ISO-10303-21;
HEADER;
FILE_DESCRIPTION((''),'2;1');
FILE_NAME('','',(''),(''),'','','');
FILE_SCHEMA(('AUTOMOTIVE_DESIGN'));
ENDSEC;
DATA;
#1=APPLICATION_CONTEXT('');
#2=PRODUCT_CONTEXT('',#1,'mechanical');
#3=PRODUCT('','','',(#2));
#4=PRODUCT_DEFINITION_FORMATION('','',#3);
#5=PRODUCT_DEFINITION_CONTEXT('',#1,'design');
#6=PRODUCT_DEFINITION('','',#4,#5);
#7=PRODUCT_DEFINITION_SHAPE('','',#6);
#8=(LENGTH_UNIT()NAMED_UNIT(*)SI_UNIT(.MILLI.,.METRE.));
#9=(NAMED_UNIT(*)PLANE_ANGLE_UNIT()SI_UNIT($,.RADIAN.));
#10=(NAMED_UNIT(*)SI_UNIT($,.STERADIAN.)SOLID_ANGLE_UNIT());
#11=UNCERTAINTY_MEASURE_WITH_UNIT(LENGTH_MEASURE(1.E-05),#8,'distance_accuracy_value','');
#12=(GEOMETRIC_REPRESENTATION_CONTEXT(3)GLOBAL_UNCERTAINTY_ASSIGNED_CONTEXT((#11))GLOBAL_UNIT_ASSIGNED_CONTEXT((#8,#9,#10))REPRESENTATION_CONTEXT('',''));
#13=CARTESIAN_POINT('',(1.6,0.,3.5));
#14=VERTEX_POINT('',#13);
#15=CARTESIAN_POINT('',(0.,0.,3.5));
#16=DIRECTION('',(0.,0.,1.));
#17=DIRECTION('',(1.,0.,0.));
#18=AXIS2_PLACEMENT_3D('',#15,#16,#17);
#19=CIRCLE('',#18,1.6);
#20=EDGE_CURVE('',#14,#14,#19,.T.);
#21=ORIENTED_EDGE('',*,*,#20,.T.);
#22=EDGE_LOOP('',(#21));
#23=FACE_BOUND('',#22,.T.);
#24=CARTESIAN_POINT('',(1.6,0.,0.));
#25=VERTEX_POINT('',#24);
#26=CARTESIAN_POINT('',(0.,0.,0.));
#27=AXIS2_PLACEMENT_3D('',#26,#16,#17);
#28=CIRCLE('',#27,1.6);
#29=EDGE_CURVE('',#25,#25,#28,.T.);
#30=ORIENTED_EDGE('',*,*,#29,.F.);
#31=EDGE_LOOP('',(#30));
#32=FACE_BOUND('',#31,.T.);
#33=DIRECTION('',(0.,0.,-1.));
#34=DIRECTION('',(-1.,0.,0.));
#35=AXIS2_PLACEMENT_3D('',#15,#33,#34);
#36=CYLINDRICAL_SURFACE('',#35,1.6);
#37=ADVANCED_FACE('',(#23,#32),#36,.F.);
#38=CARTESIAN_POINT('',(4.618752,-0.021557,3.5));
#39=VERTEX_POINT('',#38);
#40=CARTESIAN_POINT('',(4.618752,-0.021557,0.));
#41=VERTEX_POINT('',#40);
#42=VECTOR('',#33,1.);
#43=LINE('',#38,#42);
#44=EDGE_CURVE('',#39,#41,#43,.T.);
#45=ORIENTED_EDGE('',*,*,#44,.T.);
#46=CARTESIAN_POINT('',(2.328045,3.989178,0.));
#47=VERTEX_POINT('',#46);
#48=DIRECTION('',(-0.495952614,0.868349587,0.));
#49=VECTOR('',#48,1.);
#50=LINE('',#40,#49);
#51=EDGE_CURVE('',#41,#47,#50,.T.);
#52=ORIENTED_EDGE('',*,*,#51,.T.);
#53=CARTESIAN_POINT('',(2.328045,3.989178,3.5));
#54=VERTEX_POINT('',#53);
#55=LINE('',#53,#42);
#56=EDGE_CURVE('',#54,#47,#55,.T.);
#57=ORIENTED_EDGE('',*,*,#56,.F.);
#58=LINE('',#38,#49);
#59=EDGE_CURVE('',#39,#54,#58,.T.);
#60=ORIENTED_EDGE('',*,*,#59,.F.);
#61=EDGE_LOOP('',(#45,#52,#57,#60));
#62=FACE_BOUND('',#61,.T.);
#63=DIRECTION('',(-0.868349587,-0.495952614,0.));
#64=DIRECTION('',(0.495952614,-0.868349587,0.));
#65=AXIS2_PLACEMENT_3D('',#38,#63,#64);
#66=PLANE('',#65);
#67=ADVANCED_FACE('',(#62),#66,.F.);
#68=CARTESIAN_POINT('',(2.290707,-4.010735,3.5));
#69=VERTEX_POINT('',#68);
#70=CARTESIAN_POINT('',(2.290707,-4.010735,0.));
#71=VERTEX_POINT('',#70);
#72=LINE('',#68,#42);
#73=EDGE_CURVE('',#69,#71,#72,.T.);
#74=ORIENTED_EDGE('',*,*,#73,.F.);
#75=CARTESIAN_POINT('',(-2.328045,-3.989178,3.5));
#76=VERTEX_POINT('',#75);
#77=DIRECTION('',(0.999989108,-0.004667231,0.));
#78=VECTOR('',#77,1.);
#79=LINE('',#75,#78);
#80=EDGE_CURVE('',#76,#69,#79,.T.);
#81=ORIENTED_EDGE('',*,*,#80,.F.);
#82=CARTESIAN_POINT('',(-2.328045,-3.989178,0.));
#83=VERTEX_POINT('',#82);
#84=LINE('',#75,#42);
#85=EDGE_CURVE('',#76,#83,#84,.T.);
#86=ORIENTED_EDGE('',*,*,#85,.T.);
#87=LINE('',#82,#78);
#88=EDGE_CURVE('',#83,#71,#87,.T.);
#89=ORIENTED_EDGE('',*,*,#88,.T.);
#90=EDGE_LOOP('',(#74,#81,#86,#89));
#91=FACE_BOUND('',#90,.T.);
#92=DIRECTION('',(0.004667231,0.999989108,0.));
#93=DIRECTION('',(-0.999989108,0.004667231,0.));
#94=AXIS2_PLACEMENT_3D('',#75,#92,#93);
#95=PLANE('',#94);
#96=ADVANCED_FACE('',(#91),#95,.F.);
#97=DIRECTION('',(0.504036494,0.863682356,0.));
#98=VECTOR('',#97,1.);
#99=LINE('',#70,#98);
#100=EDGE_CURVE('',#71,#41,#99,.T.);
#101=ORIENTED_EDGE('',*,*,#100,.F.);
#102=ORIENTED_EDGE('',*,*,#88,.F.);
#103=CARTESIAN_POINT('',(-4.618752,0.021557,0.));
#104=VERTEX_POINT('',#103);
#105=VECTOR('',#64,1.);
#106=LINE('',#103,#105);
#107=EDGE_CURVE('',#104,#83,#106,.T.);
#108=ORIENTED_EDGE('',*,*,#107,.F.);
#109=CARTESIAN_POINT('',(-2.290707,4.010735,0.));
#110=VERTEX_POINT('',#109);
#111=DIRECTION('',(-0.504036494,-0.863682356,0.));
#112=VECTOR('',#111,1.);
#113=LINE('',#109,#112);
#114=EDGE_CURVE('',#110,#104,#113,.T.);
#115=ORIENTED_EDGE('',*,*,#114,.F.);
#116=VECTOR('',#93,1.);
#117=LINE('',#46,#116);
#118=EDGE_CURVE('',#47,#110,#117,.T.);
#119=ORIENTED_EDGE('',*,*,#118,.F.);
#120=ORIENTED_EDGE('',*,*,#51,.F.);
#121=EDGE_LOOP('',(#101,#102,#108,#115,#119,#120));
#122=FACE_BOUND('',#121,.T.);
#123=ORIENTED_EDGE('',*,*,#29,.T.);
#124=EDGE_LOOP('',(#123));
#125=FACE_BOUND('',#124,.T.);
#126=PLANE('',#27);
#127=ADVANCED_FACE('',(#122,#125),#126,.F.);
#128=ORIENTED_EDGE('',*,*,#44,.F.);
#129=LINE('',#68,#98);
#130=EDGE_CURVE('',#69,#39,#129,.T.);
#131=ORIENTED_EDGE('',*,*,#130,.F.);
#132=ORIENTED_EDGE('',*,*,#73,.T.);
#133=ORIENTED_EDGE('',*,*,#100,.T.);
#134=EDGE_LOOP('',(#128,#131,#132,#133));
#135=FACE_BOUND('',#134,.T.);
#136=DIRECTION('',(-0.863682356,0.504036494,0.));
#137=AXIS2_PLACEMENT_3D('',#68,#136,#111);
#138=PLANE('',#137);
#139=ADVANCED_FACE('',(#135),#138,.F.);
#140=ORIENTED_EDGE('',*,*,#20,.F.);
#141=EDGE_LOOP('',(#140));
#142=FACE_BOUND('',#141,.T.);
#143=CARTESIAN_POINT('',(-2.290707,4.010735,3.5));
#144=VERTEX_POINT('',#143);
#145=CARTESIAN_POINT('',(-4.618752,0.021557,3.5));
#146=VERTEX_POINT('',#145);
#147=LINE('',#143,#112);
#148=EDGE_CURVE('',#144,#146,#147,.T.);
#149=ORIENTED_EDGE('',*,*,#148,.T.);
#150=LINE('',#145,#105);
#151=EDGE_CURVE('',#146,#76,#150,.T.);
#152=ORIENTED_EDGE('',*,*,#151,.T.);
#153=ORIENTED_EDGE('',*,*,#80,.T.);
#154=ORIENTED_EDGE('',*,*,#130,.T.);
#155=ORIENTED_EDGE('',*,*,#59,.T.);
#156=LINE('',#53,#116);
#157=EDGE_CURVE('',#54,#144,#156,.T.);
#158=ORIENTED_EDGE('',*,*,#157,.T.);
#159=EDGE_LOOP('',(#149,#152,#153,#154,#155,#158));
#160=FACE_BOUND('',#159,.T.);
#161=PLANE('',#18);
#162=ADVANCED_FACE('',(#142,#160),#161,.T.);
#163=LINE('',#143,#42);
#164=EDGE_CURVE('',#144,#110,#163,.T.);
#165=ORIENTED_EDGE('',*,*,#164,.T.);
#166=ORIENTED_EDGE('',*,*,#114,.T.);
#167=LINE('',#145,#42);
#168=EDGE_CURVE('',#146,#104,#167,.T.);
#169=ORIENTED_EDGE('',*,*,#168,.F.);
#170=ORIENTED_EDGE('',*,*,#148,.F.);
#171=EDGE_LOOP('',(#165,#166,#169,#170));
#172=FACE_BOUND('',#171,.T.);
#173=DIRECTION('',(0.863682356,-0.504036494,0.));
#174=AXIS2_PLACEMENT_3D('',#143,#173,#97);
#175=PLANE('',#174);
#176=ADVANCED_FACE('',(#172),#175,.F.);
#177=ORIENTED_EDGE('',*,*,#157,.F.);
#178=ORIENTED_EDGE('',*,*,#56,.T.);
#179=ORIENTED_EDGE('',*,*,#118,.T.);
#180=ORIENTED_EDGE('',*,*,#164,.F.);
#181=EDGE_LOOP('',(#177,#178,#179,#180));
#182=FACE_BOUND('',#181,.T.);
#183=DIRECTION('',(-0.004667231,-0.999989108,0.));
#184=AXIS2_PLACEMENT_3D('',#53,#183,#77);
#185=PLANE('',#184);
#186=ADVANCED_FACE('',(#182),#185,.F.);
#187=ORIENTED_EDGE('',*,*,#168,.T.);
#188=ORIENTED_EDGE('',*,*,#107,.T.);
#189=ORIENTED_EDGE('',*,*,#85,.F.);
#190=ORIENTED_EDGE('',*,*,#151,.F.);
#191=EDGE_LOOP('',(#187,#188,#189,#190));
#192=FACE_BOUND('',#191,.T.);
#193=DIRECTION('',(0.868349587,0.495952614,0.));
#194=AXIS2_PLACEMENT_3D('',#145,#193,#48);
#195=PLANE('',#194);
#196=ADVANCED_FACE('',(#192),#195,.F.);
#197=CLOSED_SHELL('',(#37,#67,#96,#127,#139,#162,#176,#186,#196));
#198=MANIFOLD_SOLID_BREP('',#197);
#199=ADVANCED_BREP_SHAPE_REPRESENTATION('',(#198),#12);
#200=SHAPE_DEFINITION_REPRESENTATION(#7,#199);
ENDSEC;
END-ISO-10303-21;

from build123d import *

# Parameters (mm, degrees)
SKETCH_1_R      = 1.6
EXTRUDE_1_DEPTH = 3.5


with BuildPart() as part:
    # 草图1 → 凸台-拉伸1 (new body)
    with BuildSketch(Plane.XY):
        Polygon((-2.290707001, 4.010734941), (-4.618751847, 0.021557015), (-2.328044846, -3.989177926), (2.290707001, -4.010734941), (4.618751847, -0.021557015), (2.328044846, 3.989177926), align=None)
        Circle(SKETCH_1_R, mode=Mode.SUBTRACT)
    extrude(amount=EXTRUDE_1_DEPTH)


solid = part.part
